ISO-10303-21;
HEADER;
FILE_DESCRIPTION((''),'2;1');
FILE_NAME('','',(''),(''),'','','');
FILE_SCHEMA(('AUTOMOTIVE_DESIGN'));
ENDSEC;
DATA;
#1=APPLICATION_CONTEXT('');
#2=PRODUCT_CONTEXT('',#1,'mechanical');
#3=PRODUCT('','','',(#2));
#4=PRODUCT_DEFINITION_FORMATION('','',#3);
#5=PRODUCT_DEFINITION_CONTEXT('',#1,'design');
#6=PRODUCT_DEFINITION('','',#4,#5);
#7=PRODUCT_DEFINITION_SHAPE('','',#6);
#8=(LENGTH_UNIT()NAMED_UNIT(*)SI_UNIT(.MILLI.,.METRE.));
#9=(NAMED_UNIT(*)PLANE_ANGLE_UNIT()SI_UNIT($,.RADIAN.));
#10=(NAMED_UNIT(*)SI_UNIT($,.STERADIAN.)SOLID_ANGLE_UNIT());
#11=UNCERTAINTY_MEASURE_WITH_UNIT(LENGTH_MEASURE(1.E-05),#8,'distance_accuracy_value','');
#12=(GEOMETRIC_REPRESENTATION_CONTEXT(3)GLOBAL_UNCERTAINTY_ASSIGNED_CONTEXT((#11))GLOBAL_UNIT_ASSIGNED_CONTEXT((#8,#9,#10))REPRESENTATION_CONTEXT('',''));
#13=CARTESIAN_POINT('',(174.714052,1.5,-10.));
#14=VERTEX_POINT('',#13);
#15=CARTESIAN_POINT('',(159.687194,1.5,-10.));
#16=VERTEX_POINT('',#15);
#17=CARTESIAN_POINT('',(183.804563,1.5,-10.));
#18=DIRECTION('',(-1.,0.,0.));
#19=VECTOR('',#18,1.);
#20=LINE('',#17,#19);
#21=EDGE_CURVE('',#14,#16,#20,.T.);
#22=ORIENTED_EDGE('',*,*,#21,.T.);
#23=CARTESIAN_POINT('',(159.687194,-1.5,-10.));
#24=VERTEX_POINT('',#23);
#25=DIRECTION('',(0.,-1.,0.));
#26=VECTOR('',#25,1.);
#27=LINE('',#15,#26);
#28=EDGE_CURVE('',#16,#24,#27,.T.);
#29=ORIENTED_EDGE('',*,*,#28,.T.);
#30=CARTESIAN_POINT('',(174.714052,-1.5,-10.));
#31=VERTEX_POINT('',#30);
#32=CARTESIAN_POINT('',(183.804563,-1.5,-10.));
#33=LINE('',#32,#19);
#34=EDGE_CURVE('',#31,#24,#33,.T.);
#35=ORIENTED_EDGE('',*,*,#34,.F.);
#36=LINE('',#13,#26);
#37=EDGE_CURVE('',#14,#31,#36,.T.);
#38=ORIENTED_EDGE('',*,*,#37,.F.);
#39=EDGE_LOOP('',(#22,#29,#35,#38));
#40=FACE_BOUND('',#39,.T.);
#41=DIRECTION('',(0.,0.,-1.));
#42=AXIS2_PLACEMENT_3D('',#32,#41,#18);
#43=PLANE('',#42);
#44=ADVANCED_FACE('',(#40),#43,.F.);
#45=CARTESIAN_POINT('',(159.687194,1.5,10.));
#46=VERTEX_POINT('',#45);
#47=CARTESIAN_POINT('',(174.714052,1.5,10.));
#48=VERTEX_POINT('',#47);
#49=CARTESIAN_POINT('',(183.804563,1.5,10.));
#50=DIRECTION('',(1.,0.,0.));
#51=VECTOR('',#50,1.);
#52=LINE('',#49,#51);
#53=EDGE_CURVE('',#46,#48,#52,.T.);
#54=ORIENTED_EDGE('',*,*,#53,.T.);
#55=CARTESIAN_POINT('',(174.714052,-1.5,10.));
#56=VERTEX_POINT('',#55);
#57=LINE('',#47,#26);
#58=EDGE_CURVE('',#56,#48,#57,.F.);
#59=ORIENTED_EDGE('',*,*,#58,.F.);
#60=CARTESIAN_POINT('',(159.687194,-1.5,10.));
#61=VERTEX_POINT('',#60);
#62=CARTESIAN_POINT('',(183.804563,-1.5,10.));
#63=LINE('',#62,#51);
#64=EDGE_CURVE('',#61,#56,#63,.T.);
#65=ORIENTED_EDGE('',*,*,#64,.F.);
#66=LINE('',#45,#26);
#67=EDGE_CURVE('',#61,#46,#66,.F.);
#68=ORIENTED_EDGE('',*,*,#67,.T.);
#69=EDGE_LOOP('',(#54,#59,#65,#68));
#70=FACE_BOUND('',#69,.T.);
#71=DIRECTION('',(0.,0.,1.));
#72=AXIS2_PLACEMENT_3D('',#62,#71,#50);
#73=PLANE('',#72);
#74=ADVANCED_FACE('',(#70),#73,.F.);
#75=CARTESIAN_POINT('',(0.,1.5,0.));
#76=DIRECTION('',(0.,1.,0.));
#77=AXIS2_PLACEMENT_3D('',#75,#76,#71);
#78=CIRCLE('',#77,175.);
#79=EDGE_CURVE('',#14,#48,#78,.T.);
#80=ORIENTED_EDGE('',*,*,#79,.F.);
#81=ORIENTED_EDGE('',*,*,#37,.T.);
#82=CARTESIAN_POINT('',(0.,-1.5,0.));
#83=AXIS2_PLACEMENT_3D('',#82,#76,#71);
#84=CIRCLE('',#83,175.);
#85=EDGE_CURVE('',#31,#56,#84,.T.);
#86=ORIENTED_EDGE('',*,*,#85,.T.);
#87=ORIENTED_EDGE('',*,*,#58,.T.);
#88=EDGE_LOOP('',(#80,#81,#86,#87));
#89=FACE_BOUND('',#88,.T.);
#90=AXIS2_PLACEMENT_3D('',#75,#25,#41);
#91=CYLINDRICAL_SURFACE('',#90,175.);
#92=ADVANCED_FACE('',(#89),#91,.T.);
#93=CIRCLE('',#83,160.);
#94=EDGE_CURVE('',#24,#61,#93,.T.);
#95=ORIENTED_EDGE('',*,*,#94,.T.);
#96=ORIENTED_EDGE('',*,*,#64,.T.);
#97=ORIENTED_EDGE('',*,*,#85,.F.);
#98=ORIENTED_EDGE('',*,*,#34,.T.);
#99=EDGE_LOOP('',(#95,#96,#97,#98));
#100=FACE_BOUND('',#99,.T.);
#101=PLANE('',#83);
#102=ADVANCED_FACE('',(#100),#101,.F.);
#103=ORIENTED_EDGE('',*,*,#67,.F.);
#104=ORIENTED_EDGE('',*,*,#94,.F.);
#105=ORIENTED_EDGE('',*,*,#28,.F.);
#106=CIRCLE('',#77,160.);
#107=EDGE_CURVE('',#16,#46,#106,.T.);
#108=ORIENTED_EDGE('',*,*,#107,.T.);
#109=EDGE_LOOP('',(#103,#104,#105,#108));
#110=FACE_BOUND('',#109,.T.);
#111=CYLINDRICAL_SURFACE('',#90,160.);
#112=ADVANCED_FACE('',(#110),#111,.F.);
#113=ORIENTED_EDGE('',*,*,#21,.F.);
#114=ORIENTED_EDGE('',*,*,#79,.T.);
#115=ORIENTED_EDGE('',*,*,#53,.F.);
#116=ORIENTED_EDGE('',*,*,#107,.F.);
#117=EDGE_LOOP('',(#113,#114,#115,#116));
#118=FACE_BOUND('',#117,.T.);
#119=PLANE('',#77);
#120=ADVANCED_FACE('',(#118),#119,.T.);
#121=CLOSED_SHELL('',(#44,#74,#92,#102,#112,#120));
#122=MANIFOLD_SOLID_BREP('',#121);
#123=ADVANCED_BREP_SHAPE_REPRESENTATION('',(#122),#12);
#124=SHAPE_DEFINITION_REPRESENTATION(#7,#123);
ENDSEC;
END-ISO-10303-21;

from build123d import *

# Parameters (mm, degrees)
SKETCH1_R           = 175
SKETCH1_R_2         = 160
BOSS_EXTRUDE1_DEPTH = 1.5
AXIS_GAP_DEPTH      = 248.49191906
AXIS_GAP_DEPTH_BACK = 248.49191906
SKETCH2_W           = 32.609126468
SKETCH2_H           = 20


with BuildPart() as part:
    # Sketch1 → Boss-Extrude1 (new, symmetric)
    with BuildSketch(Plane(origin=(0, 0, 0), x_dir=(1, 0, 0), z_dir=(0, 1, 0))):
        with Locations(Location((0, 0, 0), (0, 0, 270))):
            Circle(SKETCH1_R)
        with Locations(Location((0, 0, 0), (0, 0, 270))):
            Circle(SKETCH1_R_2, mode=Mode.SUBTRACT)
    extrude(amount=BOSS_EXTRUDE1_DEPTH, both=True)

    # Sketch2 → axis gap (cut, two sides: drawn at the far end of the back side and taken through both)
    with BuildSketch(Plane(origin=(0, 0, 0), x_dir=(1, 0, 0), z_dir=(0, 1, 0)).offset(-AXIS_GAP_DEPTH_BACK)):
        with Locations((167.5, 0)):
            Rectangle(SKETCH2_W, SKETCH2_H)
    extrude(amount=AXIS_GAP_DEPTH + AXIS_GAP_DEPTH_BACK, mode=Mode.SUBTRACT)


solid = part.part
